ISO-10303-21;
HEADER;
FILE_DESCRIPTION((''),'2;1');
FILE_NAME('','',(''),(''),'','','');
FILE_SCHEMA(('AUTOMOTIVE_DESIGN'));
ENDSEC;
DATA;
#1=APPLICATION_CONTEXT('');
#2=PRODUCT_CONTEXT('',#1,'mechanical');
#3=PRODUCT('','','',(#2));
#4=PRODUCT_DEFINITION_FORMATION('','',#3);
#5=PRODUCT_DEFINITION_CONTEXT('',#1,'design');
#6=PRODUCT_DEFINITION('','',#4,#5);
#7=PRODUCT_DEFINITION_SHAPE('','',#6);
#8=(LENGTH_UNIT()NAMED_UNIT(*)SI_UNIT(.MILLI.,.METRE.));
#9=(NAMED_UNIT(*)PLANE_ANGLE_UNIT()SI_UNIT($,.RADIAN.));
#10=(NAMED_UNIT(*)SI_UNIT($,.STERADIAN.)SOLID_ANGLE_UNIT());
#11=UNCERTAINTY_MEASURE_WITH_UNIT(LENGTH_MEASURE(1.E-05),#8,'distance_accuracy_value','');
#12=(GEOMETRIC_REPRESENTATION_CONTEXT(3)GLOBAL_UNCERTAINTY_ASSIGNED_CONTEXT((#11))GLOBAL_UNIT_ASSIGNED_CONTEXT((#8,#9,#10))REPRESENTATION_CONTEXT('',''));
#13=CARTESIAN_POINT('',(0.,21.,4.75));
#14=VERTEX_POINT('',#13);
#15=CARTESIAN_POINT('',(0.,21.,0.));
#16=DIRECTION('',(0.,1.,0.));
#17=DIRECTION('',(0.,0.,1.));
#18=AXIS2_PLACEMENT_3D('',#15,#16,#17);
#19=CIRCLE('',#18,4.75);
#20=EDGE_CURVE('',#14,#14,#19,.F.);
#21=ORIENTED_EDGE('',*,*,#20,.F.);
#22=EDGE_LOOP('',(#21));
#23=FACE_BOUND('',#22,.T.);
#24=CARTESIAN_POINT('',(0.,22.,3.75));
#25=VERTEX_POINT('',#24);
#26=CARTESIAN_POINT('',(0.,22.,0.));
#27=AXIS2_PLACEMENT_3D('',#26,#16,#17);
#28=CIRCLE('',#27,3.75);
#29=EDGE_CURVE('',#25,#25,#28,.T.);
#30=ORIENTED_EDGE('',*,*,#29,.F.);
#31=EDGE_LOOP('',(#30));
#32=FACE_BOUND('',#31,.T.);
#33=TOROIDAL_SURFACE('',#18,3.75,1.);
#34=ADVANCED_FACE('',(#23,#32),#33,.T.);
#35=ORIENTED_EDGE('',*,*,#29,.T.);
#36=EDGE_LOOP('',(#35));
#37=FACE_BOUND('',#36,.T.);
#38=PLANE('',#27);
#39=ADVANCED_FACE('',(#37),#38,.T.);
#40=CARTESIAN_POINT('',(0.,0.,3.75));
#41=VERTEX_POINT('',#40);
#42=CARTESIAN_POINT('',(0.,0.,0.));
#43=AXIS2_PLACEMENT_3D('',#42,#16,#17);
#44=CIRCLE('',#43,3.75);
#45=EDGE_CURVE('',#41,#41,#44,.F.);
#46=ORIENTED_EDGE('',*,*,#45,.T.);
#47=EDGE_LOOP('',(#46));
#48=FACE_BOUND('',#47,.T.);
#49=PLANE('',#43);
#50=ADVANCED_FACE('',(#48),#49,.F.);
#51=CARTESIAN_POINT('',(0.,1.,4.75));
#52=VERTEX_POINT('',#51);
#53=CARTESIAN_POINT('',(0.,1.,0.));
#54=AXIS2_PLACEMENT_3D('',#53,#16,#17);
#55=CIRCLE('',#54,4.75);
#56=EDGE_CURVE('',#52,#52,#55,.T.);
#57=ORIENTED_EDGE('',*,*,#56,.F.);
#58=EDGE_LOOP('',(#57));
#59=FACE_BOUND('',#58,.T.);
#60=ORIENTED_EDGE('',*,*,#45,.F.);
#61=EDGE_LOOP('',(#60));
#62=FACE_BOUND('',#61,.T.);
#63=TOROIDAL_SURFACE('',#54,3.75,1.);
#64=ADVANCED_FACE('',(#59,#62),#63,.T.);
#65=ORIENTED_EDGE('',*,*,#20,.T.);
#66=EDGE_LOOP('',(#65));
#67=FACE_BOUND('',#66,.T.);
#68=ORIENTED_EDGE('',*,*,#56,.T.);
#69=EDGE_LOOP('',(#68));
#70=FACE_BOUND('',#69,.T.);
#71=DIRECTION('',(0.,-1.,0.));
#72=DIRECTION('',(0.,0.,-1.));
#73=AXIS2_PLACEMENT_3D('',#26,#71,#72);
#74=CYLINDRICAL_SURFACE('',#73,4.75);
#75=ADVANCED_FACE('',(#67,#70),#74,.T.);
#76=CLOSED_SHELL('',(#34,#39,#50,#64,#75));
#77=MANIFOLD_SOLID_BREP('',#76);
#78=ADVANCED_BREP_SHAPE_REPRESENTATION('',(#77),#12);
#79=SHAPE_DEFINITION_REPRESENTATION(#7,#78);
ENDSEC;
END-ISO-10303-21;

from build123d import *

# Parameters (mm, degrees)
SKETCH_1_R      = 4.75
EXTRUDE_1_DEPTH = 22
FILLET_1_R      = 1


with BuildPart() as part:
    # 草图1 → 凸台-拉伸1 (new body)
    with BuildSketch(Plane(origin=(0, 0, 0), x_dir=(1, 0, 0), z_dir=(0, 1, 0))):
        with Locations(Location((0, 0, 0), (0, 0, 270))):
            Circle(SKETCH_1_R)
    extrude(amount=EXTRUDE_1_DEPTH)

    # 圆角1
    fillet_1_edges = [part.edges().sort_by_distance(p)[0] for p in [
        (0, 0, -4.75),
        (0, 22, -4.75),
    ]]
    fillet(fillet_1_edges, radius=FILLET_1_R)


solid = part.part
